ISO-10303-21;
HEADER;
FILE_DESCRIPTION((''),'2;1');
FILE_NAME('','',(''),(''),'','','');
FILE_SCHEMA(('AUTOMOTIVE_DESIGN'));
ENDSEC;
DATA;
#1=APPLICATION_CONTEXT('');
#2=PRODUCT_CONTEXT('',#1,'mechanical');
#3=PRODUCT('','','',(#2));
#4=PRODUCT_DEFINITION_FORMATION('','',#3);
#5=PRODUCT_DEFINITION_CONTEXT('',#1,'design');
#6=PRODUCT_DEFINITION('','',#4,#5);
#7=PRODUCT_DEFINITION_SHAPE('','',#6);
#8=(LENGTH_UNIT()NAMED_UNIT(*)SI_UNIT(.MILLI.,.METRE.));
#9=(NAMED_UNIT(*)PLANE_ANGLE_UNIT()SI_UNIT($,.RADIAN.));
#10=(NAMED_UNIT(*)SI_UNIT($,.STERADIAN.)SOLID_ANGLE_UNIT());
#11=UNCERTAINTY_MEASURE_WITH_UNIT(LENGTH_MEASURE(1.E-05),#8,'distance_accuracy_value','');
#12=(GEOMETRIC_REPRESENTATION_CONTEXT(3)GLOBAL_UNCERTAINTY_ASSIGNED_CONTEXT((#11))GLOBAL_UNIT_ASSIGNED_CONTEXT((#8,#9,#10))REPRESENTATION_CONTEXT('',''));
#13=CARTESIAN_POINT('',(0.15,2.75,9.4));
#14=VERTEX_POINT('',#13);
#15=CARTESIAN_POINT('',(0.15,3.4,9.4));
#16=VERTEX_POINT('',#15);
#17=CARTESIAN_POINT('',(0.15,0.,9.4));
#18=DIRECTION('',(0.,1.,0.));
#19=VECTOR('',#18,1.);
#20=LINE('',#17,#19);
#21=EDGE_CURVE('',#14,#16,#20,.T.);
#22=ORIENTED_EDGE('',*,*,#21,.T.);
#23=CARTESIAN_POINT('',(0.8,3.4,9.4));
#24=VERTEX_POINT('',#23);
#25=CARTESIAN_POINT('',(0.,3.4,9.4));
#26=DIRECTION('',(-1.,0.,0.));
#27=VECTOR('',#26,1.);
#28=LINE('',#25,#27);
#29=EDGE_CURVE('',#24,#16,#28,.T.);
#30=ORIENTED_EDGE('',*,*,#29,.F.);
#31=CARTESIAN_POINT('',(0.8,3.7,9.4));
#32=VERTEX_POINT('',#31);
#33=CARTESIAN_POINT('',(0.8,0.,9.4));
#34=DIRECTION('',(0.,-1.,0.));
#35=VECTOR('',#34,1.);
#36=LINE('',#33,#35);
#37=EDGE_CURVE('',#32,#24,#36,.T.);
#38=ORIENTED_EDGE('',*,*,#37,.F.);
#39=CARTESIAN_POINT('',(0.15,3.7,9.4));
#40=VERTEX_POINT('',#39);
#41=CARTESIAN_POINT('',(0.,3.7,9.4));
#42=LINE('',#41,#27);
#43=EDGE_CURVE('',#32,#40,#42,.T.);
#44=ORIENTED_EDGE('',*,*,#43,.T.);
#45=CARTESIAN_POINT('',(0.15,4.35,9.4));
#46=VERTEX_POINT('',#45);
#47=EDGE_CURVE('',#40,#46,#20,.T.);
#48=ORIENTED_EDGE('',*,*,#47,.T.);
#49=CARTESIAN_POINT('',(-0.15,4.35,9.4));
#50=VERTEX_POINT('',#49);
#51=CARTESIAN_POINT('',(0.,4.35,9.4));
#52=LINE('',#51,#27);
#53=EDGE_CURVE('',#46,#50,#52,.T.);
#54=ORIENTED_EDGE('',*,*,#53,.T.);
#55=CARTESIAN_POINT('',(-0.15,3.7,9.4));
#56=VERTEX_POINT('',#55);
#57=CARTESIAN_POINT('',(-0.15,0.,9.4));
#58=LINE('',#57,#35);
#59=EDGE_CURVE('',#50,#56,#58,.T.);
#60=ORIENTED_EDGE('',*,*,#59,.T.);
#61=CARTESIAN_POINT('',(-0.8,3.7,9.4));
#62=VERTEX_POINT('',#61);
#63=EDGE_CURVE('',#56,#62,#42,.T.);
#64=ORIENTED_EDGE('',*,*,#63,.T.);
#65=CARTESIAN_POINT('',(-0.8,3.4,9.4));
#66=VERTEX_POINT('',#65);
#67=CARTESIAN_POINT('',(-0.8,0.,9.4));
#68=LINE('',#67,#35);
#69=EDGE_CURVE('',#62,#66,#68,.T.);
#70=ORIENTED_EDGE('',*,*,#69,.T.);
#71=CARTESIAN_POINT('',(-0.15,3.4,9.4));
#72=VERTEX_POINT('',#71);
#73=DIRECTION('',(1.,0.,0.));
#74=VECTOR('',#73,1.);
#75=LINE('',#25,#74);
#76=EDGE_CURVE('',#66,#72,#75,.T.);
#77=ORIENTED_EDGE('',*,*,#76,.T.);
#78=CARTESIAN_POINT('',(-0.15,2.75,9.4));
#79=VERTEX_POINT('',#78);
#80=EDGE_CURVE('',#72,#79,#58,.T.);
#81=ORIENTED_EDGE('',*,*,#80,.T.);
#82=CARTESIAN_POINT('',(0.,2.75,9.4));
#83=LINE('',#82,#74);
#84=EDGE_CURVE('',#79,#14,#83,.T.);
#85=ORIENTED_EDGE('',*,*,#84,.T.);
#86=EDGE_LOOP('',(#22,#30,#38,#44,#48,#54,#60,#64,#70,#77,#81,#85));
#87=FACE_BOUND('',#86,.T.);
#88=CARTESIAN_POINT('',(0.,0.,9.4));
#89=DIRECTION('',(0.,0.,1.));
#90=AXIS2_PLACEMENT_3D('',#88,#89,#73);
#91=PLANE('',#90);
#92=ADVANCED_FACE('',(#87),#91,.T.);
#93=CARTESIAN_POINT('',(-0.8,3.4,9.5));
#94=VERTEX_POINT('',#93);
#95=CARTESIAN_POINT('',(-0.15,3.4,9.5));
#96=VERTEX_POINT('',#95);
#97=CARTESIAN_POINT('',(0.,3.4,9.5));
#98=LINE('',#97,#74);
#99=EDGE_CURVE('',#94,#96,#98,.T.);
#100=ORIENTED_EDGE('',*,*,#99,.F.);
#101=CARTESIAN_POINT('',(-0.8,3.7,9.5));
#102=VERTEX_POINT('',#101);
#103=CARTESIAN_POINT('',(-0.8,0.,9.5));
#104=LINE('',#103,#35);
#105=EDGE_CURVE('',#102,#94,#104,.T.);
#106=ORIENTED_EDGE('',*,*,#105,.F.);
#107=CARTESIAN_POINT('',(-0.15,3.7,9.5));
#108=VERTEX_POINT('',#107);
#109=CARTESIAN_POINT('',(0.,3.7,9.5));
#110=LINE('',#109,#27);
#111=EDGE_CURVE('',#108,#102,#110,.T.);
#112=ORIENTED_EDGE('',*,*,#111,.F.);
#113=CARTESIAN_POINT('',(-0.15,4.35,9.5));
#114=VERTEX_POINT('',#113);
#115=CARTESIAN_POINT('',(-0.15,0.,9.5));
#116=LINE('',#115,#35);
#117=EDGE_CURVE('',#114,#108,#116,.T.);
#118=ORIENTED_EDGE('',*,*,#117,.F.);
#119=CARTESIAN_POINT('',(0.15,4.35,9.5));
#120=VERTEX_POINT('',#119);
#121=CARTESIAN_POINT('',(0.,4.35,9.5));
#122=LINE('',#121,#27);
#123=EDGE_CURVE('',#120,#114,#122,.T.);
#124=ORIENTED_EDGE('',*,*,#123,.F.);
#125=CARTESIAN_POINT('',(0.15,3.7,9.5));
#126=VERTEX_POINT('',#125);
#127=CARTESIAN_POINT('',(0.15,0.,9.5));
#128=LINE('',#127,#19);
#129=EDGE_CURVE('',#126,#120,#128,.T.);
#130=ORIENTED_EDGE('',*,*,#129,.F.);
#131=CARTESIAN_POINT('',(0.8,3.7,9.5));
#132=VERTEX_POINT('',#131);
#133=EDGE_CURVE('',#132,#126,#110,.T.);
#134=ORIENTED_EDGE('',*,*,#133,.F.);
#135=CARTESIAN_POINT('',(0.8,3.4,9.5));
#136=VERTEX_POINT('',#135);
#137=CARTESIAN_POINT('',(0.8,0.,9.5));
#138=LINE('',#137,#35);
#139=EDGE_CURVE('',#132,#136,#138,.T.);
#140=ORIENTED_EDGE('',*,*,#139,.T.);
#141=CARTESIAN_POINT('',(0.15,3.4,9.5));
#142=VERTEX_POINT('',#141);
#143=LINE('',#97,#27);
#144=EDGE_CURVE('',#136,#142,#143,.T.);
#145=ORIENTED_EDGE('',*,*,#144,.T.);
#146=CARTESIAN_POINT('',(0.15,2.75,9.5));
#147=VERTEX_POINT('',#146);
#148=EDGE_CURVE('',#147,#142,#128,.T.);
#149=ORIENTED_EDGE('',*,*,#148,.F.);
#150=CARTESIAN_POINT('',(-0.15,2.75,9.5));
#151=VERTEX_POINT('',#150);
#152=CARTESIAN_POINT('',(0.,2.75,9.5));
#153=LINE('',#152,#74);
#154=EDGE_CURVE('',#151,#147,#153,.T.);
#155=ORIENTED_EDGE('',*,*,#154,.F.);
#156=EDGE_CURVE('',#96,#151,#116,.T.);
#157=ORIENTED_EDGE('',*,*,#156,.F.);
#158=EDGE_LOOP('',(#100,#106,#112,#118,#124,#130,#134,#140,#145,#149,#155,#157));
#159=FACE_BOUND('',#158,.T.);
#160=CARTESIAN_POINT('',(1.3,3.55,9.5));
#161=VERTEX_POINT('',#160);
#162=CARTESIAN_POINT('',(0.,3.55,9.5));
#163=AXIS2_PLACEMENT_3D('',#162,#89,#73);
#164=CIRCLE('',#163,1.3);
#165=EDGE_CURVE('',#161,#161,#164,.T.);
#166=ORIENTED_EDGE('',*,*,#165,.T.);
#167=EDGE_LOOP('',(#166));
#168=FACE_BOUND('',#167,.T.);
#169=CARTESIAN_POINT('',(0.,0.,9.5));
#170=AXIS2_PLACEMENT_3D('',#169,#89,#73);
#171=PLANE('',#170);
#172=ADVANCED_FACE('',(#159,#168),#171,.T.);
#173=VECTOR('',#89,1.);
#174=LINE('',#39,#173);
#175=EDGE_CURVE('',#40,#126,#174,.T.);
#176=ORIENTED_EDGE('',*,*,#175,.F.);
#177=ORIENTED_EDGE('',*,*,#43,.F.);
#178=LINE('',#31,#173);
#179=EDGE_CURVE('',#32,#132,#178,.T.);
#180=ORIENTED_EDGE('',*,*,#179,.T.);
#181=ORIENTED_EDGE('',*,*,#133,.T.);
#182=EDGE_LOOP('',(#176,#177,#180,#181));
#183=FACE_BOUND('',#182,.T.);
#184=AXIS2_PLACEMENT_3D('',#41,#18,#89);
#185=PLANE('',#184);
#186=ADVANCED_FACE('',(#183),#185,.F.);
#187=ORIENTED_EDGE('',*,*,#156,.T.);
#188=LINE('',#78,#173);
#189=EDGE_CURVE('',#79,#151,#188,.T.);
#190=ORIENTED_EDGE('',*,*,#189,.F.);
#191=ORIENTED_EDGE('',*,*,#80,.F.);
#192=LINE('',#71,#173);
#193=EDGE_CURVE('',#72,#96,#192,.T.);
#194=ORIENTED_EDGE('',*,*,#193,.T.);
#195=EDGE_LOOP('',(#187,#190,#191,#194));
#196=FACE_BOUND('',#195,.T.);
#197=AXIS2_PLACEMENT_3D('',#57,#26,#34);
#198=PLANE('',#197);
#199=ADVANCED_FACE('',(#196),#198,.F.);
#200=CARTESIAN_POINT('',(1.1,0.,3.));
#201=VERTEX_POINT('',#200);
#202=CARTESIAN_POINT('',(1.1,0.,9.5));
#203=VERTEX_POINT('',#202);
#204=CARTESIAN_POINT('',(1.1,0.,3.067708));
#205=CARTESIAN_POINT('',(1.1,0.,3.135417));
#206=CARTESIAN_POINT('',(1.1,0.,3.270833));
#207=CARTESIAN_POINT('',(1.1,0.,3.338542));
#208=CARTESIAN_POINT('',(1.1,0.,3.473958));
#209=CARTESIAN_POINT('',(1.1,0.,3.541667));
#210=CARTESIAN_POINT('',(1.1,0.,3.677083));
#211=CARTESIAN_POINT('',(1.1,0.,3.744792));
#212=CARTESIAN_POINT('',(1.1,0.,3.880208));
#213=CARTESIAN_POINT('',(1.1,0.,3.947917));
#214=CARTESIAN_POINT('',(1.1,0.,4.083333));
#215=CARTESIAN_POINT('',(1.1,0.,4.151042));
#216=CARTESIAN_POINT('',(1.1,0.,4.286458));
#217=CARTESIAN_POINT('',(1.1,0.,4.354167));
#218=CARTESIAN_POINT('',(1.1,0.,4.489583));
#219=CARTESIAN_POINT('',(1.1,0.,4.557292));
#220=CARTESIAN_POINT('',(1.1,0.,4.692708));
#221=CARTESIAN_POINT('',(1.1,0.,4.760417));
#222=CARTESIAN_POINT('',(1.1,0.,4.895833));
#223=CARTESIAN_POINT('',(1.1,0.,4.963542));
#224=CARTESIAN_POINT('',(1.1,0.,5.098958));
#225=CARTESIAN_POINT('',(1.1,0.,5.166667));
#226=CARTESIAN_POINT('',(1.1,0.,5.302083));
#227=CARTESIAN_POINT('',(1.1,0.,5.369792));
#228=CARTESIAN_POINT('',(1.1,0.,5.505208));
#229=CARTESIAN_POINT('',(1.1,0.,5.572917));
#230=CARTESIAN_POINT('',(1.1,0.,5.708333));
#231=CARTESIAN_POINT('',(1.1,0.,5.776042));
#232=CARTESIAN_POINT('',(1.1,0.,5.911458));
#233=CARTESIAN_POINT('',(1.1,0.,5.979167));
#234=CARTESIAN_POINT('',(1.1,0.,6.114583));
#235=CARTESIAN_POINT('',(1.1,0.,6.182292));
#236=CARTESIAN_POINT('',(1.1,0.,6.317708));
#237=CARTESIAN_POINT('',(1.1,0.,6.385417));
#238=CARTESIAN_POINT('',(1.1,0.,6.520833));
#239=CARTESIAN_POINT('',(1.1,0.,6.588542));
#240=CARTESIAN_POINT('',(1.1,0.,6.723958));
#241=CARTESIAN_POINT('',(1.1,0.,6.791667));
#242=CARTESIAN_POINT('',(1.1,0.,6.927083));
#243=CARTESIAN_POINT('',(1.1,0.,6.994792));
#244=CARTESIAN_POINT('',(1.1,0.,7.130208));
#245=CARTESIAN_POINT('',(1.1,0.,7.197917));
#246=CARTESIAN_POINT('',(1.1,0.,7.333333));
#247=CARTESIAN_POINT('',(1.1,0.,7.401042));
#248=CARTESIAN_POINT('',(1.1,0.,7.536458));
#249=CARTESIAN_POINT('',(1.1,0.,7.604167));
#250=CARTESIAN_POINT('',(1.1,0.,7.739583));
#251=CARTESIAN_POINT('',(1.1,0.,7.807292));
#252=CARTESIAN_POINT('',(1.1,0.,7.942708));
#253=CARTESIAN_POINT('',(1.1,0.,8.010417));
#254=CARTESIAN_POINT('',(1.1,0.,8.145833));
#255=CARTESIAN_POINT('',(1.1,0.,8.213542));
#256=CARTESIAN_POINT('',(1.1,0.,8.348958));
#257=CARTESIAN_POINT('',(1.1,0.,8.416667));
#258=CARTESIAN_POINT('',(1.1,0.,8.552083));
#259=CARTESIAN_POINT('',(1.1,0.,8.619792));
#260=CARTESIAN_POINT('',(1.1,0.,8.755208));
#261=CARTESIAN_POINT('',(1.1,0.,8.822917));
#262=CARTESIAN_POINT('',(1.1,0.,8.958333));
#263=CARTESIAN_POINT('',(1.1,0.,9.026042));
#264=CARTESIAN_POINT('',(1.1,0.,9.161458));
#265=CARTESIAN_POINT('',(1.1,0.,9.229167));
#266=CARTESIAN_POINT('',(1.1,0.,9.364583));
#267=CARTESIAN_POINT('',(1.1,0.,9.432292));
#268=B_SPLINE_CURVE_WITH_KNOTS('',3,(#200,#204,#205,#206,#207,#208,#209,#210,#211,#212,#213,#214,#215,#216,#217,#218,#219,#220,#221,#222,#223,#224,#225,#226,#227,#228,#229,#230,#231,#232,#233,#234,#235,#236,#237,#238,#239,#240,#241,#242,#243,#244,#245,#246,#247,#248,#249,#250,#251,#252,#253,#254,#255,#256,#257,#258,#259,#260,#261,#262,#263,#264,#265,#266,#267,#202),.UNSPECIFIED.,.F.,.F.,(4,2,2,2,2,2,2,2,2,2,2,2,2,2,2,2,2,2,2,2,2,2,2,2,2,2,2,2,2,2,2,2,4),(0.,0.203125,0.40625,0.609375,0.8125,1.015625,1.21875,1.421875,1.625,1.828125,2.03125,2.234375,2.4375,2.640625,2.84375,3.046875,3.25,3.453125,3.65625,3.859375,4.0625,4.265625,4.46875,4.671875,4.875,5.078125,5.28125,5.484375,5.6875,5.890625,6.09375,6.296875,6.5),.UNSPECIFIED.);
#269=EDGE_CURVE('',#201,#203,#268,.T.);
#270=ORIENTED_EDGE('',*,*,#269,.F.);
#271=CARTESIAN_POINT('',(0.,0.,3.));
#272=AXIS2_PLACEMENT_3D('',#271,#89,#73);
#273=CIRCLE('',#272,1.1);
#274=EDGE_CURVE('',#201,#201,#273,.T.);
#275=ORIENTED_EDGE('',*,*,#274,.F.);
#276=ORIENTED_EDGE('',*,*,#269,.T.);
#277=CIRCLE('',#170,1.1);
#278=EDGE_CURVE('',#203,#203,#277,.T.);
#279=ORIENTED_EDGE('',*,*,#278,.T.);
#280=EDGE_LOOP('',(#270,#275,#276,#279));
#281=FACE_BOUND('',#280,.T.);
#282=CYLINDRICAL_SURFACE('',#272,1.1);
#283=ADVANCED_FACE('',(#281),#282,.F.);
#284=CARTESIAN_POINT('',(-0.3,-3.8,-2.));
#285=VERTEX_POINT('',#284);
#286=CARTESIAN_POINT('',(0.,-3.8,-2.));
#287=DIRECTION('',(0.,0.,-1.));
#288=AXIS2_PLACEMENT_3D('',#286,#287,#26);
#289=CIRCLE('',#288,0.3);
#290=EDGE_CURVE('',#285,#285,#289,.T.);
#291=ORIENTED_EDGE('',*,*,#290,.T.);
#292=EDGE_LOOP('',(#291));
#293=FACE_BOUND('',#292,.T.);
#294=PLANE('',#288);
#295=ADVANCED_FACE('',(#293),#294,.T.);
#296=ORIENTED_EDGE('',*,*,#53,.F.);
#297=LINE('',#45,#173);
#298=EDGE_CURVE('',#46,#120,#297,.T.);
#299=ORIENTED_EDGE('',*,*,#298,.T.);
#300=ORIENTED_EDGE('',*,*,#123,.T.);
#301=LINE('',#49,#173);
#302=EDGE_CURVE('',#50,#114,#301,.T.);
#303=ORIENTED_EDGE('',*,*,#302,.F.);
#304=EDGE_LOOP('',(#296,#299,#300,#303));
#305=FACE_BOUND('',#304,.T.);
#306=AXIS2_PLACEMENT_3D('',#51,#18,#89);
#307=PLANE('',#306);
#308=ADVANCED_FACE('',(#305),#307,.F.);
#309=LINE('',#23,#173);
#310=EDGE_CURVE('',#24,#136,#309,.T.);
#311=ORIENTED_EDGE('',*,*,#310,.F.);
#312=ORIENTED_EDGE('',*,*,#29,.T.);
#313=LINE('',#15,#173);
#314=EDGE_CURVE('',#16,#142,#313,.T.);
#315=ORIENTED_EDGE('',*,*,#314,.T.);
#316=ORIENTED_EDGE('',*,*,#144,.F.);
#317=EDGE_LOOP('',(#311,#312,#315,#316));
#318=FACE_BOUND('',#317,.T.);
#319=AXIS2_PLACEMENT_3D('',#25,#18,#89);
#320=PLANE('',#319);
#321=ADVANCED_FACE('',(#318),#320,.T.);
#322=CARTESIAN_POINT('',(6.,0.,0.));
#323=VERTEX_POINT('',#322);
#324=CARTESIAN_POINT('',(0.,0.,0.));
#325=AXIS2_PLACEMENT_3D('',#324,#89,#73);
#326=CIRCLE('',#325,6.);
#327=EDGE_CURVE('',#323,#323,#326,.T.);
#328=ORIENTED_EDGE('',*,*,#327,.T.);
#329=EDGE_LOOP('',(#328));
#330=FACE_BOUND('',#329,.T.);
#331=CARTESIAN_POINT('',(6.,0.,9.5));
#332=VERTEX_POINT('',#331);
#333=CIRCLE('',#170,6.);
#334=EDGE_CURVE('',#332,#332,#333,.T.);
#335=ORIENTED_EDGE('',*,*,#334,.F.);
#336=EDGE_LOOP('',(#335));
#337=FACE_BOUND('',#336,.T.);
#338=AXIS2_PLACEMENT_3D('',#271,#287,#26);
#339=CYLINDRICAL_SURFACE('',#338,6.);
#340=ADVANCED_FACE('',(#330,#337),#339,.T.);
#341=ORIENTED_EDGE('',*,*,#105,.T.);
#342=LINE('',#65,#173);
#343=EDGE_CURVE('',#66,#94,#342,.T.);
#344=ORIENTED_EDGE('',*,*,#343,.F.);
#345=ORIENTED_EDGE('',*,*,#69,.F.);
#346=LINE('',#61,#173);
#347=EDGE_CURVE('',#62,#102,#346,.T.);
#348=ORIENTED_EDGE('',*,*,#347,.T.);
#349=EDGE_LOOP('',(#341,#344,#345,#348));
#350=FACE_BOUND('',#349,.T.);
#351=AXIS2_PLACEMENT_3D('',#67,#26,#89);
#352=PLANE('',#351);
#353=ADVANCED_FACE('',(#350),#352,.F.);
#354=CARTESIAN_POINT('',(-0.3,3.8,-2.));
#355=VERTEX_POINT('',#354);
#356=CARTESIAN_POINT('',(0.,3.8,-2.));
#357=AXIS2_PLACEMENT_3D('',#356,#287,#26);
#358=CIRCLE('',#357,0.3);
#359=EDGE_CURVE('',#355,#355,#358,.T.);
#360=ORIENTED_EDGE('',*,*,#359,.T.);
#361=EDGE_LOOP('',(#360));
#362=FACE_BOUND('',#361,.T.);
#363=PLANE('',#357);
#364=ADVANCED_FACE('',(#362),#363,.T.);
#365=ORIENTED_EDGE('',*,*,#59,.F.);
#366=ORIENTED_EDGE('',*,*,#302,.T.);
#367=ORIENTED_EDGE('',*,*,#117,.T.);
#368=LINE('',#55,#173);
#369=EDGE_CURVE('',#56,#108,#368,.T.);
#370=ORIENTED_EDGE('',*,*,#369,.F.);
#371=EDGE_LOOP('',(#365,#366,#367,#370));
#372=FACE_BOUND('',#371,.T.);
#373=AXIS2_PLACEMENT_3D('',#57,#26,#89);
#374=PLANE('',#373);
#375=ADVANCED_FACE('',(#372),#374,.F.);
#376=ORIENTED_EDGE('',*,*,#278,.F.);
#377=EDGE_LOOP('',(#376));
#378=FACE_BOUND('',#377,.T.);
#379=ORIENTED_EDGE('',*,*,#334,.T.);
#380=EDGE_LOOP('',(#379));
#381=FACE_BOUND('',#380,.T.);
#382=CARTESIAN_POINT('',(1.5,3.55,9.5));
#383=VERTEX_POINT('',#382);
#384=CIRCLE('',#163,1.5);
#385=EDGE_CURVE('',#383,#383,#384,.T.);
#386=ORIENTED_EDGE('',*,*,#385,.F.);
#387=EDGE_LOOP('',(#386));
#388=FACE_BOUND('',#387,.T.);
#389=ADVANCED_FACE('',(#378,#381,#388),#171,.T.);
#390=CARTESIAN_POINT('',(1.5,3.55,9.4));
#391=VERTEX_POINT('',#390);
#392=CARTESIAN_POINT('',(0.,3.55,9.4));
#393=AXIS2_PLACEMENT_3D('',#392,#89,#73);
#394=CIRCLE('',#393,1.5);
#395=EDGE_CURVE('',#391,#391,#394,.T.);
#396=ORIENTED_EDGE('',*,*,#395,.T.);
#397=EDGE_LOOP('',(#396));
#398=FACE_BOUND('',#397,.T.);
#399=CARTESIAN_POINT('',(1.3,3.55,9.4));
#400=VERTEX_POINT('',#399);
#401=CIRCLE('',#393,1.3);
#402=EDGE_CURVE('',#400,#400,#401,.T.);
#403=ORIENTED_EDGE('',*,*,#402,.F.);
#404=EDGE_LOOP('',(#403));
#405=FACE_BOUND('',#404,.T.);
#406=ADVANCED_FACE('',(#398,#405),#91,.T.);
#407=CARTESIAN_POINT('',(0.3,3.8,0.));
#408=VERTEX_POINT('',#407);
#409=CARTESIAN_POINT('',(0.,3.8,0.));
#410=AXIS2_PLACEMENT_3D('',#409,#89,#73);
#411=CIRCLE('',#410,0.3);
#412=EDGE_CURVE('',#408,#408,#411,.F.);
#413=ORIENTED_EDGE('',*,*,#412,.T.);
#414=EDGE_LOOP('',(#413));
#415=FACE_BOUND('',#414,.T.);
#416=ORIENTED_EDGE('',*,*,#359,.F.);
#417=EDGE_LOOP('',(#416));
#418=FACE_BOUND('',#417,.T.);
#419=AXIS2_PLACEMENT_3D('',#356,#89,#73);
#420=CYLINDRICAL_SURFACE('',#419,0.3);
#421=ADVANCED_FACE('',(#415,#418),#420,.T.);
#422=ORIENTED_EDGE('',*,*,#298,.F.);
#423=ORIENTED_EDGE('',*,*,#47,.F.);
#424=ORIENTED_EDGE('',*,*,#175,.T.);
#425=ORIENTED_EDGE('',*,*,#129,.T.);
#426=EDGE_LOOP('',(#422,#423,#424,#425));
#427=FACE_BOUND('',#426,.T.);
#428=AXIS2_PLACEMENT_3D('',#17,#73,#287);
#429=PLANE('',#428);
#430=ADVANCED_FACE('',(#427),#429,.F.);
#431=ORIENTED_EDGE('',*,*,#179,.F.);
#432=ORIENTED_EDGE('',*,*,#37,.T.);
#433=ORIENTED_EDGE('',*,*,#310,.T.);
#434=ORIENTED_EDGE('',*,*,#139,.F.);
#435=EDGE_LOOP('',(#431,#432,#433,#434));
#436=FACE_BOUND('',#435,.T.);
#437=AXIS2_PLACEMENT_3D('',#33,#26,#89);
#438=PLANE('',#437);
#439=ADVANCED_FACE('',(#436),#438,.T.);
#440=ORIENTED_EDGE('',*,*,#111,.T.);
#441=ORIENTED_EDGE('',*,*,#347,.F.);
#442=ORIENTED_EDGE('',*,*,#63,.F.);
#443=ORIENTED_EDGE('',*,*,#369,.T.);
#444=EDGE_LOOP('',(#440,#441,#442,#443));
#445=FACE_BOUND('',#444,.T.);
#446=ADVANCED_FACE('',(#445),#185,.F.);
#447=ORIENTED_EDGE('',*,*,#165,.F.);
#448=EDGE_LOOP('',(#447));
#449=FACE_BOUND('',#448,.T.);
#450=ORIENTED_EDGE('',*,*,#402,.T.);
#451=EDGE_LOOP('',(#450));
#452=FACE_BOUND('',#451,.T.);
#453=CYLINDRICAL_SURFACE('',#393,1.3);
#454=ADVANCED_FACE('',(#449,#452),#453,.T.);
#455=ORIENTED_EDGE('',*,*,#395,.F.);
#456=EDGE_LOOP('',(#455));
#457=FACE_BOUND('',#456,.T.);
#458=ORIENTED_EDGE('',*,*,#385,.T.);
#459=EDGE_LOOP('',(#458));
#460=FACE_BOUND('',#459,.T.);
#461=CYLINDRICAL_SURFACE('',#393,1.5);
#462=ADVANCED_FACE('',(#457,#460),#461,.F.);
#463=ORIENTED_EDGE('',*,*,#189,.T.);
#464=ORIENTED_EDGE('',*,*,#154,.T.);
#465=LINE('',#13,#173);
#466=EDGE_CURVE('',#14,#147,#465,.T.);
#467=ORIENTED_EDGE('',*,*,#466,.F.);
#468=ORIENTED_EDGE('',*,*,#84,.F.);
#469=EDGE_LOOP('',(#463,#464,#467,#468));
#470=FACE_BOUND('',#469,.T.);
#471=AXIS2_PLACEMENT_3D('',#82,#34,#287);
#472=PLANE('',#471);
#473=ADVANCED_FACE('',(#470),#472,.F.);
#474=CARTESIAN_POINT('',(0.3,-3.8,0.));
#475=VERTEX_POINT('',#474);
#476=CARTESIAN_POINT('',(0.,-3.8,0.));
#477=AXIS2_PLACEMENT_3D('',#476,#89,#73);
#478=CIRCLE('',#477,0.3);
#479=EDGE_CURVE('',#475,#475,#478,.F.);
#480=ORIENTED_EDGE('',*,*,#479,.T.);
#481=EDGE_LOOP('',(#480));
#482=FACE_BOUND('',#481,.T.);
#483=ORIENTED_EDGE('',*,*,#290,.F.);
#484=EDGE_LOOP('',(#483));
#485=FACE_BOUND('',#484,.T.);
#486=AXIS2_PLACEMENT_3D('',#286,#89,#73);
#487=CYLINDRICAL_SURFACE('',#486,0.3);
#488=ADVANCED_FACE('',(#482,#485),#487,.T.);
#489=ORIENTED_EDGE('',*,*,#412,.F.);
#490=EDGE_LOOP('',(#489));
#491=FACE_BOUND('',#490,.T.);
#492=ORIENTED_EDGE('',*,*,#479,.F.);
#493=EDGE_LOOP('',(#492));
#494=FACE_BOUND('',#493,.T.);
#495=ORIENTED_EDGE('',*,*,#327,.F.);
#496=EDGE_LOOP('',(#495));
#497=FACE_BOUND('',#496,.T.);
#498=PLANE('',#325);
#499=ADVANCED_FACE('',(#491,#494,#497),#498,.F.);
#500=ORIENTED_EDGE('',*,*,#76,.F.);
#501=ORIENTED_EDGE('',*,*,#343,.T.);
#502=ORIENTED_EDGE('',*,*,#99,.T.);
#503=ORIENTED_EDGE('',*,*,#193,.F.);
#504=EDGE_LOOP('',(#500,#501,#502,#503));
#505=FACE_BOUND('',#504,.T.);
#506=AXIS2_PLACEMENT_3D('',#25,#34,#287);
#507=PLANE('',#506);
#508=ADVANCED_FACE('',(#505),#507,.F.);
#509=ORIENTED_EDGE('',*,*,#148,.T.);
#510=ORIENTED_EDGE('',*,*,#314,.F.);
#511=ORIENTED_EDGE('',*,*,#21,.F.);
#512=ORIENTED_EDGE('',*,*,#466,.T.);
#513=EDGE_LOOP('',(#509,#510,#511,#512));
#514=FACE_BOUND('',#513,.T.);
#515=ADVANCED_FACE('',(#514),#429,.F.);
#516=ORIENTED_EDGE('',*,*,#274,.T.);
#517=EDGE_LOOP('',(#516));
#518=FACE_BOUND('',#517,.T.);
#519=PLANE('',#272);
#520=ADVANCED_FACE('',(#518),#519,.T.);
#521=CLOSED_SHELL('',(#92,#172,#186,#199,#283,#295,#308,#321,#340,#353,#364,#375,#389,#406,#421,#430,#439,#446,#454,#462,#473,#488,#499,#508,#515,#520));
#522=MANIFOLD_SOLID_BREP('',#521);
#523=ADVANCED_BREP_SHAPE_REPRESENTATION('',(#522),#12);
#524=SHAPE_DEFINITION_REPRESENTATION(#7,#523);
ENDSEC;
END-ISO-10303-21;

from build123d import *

# Parameters (mm, degrees)
SKETCH1_R           = 6
BOSS_EXTRUDE2_DEPTH = 3
SKETCH4_R           = 6
BOSS_EXTRUDE3_DEPTH = 6.5
SKETCH5_R           = 1.1
CUT_EXTRUDE2_DEPTH  = 6.5
SKETCH6_R           = 1.5
SKETCH6_R_2         = 1.3
CUT_EXTRUDE3_DEPTH  = 0.1
SKETCH7_R           = 0.3
BOSS_EXTRUDE4_DEPTH = 2


with BuildPart() as part:
    # Sketch1 → Boss-Extrude2 (new body)
    with BuildSketch(Plane.XY):
        Circle(SKETCH1_R)
    extrude(amount=BOSS_EXTRUDE2_DEPTH)

    # Sketch4 → Boss-Extrude3 (add)
    with BuildSketch(Plane.XY.offset(3)):
        Circle(SKETCH4_R)
    extrude(amount=BOSS_EXTRUDE3_DEPTH)

    # Sketch5 → Cut-Extrude2 (cut)
    with BuildSketch(Plane.XY.offset(9.5)):
        Circle(SKETCH5_R)
    extrude(amount=-CUT_EXTRUDE2_DEPTH, mode=Mode.SUBTRACT)

    # Sketch6 → Cut-Extrude3 (cut)
    # profile 1 of 2: a face of its own
    with BuildSketch(Plane.XY.offset(9.5)):
        with Locations((0, 3.55)):
            Circle(SKETCH6_R)
        with Locations((0, 3.55)):
            Circle(SKETCH6_R_2, mode=Mode.SUBTRACT)
    # profile 2 of 2: a face of its own
    with BuildSketch(Plane.XY.offset(9.5)):
        Polygon((-0.15, 2.75), (0.15, 2.75), (0.15, 3.4), (0.8, 3.4), (0.8, 3.55), (0.8, 3.7), (0.15, 3.7), (0.15, 4.35), (-0.15, 4.35), (-0.15, 3.7), (-0.8, 3.7), (-0.8, 3.4), (-0.15, 3.4), align=None)
    extrude(amount=-CUT_EXTRUDE3_DEPTH, mode=Mode.SUBTRACT)

    # Sketch7 → Boss-Extrude4 (add)
    with BuildSketch(Plane(origin=(0, 0, 0), x_dir=(-1, 0, 0), z_dir=(0, 0, -1))):
        with Locations(Location((0, 3.8, 0), (0, 0, 180))):
            Circle(SKETCH7_R)
        with Locations(Location((0, -3.8, 0), (0, 0, 180))):
            Circle(SKETCH7_R)
    extrude(amount=BOSS_EXTRUDE4_DEPTH)


solid = part.part
